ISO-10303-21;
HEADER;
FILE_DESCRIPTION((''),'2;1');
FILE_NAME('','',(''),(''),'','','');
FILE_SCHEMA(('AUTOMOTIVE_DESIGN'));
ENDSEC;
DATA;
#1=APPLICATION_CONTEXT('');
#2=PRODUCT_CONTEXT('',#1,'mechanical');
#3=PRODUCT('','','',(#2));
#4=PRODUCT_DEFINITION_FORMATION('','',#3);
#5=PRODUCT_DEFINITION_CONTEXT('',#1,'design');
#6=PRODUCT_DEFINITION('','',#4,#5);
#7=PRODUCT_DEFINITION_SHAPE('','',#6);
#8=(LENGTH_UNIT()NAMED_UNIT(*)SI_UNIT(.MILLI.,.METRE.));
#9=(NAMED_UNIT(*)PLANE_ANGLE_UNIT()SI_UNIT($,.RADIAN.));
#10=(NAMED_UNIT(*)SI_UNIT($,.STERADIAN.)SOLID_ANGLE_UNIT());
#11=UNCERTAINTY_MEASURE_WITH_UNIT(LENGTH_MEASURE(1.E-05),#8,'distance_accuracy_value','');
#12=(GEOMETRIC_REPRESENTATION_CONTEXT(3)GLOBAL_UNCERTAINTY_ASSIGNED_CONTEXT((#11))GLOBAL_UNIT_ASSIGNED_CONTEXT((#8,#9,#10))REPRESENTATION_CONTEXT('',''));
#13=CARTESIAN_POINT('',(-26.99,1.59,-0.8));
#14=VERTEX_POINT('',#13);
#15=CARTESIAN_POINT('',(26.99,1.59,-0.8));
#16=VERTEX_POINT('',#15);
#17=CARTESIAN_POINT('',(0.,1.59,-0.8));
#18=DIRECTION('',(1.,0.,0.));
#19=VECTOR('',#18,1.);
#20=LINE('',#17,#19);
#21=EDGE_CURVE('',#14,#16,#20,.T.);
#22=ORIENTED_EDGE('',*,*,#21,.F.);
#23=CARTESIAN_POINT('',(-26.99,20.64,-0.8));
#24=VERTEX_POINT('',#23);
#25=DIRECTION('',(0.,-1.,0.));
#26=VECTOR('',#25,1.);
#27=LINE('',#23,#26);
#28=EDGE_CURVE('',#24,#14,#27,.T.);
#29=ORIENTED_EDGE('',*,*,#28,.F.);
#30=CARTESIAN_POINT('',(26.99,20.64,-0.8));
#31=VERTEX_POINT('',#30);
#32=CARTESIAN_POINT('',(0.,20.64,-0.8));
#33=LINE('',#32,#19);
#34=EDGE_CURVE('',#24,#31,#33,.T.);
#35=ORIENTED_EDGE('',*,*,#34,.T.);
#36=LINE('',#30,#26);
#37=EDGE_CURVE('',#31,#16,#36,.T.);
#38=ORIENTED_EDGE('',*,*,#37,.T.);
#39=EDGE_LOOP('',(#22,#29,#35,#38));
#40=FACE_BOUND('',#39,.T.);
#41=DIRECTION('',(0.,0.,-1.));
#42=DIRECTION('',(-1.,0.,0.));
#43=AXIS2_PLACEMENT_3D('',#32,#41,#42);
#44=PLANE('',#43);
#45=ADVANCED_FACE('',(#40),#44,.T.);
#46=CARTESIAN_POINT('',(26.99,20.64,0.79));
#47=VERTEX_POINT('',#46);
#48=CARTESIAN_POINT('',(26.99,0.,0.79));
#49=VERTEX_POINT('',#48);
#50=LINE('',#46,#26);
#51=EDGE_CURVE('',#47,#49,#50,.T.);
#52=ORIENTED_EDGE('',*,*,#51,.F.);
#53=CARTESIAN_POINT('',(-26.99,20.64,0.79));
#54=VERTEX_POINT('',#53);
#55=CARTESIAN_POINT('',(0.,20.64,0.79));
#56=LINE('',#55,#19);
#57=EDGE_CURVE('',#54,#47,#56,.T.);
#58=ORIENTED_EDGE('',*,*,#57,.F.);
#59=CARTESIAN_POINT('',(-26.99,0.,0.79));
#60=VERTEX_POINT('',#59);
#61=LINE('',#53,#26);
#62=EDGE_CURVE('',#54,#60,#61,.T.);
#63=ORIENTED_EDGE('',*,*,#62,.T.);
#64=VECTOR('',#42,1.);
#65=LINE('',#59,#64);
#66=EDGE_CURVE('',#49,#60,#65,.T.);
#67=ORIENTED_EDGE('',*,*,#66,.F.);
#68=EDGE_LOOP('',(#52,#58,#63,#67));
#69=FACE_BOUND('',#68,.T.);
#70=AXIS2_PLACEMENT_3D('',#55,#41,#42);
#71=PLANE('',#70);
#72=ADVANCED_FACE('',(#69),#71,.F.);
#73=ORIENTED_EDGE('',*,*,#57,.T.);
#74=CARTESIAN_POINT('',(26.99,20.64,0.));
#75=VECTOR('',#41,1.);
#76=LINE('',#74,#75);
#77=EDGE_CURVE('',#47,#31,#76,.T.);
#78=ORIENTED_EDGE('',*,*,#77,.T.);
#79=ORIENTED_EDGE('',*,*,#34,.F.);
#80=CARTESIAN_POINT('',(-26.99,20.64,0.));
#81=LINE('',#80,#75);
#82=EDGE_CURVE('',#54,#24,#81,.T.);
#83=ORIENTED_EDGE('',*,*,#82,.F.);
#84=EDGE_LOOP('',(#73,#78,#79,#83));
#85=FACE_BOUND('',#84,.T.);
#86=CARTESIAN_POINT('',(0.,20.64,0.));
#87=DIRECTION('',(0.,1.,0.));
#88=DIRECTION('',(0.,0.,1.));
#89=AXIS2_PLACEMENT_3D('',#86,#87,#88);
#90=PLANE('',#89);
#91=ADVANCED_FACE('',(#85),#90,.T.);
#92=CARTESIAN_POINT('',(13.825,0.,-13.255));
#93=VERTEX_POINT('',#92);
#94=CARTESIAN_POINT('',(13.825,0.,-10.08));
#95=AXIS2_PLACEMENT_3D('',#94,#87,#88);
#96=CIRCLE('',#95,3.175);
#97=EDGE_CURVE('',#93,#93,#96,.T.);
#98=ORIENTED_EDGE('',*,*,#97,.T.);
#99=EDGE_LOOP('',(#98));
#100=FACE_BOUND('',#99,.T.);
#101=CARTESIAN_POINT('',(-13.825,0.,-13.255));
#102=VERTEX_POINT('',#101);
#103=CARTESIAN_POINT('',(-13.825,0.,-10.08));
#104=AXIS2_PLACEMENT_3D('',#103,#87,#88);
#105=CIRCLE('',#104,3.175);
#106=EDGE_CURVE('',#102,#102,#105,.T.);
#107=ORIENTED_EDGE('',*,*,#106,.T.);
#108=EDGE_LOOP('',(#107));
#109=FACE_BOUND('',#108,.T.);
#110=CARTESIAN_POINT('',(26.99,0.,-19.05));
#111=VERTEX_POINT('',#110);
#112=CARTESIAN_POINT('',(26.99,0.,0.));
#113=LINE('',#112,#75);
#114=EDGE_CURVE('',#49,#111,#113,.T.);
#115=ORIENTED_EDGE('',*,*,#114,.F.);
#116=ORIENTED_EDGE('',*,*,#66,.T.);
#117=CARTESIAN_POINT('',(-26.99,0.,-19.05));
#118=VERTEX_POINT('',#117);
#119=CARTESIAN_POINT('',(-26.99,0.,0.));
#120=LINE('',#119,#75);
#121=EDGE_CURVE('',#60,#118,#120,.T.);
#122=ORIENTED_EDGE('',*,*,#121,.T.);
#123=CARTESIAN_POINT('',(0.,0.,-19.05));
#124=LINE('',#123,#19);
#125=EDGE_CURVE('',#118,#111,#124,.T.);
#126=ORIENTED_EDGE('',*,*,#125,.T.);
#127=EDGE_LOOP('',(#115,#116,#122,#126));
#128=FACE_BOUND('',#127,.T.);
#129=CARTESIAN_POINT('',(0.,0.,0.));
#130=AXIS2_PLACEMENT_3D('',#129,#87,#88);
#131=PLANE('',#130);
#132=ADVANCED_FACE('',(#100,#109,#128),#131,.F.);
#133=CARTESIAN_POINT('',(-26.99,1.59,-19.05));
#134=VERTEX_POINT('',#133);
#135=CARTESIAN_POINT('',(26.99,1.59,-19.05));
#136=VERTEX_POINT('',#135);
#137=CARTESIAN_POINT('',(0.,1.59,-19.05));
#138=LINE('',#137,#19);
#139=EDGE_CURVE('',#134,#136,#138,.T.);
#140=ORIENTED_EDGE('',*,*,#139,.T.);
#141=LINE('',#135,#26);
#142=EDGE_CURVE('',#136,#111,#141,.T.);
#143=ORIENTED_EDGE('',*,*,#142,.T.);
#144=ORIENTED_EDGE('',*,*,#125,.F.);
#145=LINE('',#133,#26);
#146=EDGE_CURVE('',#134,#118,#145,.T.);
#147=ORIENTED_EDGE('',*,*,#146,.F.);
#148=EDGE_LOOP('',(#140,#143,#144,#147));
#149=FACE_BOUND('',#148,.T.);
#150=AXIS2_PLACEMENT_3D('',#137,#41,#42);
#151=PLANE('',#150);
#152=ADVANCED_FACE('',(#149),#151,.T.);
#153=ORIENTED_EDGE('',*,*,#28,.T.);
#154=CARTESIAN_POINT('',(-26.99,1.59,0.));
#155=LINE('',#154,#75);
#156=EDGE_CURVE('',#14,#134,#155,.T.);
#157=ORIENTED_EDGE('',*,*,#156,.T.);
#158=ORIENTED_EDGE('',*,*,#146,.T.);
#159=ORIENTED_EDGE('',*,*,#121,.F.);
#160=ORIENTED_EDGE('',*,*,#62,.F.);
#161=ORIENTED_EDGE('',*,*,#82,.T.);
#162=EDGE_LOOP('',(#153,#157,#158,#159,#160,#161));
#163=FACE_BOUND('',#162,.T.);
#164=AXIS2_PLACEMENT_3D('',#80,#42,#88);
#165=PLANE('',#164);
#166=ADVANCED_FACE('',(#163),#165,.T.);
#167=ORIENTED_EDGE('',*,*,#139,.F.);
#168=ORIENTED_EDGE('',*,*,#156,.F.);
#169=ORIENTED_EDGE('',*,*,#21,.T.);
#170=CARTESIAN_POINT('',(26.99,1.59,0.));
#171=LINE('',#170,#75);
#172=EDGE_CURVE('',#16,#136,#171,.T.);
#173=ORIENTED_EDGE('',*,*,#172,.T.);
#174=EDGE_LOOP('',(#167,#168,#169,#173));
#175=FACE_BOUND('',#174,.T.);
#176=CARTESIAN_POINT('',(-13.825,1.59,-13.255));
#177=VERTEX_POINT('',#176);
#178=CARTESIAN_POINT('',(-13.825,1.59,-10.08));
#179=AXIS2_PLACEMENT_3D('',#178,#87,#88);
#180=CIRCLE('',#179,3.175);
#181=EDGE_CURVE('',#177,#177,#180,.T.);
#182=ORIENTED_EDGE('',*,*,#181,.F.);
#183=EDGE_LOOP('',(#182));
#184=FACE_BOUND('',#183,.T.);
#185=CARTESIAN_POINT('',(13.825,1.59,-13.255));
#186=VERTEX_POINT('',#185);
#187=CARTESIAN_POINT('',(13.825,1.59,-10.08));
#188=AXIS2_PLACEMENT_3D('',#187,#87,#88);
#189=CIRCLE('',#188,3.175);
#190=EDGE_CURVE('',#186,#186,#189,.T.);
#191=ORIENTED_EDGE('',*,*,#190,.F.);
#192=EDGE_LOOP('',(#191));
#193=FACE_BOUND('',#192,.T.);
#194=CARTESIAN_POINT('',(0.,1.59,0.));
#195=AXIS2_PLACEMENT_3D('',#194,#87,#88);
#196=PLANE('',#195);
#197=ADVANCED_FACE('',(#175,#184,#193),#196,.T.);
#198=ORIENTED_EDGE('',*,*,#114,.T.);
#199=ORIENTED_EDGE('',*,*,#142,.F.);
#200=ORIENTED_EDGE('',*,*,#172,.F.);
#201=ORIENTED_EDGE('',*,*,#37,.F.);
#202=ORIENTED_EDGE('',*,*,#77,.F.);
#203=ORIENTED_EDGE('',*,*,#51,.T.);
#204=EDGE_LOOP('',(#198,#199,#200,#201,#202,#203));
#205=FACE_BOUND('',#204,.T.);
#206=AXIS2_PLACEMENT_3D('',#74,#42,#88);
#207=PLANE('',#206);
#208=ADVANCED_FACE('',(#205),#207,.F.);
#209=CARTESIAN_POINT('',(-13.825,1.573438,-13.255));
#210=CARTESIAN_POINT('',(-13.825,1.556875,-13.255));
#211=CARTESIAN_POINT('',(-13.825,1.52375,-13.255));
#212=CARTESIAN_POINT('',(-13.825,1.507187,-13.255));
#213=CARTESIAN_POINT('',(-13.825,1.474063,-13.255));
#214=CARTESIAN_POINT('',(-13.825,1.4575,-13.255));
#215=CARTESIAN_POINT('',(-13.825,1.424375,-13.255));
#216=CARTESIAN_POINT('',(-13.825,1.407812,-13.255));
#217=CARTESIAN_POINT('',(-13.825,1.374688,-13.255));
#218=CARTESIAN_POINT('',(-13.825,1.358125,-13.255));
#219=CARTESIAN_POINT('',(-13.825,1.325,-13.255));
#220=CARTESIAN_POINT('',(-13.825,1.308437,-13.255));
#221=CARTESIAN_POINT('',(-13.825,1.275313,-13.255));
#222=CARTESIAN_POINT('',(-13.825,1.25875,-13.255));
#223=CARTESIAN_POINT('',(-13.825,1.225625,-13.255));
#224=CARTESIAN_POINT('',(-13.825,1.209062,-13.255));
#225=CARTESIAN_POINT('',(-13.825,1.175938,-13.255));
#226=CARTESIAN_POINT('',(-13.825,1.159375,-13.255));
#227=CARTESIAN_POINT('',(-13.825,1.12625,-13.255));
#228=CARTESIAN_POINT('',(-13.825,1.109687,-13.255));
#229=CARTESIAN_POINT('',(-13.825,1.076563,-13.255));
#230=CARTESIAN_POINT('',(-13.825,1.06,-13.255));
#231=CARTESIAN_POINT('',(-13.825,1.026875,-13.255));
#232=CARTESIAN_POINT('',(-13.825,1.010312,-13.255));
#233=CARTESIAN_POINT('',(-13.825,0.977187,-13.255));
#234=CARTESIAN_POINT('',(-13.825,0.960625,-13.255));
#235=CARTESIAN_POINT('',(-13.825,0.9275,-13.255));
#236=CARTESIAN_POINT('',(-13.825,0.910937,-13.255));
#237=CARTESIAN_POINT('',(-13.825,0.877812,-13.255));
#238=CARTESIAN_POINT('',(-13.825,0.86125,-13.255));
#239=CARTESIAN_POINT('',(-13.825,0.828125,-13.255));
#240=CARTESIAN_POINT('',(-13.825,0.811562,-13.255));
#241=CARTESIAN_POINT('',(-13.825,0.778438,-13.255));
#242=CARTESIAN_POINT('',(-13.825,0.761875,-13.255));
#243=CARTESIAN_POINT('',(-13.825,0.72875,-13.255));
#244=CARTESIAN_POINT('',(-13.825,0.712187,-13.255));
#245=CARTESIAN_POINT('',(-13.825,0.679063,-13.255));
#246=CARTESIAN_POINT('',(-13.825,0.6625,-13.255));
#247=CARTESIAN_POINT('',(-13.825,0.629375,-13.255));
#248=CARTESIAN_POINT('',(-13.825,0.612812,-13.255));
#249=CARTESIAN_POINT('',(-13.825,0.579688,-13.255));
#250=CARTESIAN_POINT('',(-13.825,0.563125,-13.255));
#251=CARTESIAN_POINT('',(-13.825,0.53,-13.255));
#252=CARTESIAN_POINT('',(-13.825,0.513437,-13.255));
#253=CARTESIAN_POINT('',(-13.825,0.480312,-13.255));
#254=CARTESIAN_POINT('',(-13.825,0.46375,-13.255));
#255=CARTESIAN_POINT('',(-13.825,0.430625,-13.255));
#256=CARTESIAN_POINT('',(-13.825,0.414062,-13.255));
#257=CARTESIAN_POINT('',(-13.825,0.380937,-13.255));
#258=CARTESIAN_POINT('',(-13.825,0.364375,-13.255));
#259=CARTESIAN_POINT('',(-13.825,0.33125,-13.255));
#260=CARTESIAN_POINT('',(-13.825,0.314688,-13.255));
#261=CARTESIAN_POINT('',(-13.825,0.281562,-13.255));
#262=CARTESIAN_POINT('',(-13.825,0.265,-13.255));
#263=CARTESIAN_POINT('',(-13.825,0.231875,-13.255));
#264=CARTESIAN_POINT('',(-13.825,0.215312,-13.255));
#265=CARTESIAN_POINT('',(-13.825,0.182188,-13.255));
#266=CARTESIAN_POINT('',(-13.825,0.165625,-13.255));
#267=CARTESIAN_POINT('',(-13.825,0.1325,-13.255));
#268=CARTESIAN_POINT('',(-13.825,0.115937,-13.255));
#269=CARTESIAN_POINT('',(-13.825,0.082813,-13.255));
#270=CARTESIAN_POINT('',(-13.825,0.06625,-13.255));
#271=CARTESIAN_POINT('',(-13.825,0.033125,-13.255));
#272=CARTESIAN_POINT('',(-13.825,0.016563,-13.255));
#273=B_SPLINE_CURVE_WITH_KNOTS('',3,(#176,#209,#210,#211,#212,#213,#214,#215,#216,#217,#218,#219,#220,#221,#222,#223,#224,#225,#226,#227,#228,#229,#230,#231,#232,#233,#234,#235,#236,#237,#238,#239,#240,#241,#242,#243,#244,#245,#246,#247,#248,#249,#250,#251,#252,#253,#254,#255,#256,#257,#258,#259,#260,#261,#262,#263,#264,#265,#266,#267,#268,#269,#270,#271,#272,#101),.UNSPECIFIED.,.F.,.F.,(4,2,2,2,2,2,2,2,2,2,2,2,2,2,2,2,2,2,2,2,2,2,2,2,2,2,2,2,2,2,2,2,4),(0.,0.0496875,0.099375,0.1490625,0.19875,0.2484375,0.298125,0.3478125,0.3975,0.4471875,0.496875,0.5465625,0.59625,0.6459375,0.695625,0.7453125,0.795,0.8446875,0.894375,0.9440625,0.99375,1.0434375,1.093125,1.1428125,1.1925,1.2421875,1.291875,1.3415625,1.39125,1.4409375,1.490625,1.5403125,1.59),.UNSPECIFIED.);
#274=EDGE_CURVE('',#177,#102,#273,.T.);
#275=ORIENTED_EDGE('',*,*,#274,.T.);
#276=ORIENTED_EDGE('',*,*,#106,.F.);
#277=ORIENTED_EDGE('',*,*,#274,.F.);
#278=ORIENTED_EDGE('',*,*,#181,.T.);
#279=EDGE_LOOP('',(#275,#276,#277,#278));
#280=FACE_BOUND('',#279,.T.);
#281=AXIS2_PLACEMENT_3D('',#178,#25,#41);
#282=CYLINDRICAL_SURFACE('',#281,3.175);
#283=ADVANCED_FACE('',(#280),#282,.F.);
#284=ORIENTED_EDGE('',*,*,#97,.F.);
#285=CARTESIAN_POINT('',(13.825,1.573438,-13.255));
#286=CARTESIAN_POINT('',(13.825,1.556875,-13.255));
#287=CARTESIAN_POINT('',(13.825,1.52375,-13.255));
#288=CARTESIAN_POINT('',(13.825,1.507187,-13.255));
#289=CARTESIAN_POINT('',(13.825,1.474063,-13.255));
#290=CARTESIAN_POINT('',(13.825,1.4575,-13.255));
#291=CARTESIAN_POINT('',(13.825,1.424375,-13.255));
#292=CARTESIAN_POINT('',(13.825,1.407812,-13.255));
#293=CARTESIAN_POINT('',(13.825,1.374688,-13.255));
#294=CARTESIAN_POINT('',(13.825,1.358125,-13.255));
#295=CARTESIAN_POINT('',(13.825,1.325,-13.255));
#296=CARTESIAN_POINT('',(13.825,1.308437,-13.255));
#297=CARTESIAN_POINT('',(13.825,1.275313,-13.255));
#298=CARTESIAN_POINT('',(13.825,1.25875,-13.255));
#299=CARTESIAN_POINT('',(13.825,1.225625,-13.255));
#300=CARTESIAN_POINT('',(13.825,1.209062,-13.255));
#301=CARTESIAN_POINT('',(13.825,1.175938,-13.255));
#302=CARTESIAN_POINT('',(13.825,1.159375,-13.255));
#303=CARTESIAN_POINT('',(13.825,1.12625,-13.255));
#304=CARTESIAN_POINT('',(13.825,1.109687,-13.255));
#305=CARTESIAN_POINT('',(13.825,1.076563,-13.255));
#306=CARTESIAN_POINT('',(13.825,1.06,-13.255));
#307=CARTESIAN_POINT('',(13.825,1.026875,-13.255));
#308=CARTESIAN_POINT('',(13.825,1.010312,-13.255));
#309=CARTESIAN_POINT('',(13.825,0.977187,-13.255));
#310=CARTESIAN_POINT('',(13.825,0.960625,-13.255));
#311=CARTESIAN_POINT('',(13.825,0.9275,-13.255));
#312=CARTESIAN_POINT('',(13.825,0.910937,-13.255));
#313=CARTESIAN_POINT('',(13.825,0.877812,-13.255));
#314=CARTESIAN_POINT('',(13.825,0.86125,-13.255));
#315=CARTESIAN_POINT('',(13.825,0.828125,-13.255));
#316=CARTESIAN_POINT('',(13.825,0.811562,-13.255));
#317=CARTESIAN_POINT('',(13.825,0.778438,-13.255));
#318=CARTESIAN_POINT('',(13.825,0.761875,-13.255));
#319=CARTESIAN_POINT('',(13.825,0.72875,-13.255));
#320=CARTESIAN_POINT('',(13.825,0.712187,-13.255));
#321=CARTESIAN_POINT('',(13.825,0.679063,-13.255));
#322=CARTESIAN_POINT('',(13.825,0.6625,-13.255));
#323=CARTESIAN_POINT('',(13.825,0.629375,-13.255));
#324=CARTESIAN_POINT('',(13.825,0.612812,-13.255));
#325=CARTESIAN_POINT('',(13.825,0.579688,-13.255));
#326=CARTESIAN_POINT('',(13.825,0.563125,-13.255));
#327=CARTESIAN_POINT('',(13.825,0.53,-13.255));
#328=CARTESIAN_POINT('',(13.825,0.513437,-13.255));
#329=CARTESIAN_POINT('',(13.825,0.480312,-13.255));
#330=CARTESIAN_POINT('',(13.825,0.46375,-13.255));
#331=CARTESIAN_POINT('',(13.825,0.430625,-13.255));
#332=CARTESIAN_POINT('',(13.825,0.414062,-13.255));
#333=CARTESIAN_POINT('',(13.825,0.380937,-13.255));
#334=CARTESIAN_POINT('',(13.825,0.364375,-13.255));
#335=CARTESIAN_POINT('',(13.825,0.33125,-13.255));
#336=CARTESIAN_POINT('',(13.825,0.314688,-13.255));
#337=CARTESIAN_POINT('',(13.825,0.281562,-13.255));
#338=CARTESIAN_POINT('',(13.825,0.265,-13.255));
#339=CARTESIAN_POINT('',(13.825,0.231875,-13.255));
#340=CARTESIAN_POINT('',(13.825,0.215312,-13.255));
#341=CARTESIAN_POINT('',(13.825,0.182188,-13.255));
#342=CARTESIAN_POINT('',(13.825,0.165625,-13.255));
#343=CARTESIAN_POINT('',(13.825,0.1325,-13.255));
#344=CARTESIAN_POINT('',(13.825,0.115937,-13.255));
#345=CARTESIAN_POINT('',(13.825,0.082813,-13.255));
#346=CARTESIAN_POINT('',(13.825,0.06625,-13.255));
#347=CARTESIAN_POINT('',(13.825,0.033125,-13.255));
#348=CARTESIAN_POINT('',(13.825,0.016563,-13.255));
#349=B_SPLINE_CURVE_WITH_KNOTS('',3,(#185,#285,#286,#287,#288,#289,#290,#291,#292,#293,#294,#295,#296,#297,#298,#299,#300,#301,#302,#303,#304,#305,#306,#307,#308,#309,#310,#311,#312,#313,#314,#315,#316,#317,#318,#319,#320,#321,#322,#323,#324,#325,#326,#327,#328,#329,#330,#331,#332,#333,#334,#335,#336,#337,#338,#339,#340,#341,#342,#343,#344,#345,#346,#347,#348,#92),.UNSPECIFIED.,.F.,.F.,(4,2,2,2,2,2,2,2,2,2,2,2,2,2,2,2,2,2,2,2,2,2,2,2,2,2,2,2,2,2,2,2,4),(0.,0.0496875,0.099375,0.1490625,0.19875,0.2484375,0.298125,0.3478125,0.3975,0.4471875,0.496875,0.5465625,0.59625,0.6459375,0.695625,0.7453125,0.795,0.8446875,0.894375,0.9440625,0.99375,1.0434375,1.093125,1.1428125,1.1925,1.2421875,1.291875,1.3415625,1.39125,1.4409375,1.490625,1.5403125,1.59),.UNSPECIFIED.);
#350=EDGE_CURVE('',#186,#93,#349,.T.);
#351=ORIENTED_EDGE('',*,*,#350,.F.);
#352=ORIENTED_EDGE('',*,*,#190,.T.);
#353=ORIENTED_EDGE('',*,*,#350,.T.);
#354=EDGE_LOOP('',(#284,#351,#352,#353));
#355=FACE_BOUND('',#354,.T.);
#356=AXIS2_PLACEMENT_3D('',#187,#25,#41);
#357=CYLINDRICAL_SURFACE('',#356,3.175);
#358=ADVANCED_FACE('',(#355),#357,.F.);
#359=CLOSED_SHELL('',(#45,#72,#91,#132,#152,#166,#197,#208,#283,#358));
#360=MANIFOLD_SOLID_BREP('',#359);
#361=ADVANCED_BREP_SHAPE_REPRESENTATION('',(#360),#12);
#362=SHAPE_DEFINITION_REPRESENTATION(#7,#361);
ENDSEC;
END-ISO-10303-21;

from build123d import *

# Parameters (mm, degrees)
SKETCH1_W               = 53.98
SKETCH1_H               = 1.59
BOSS_EXTRUDE1_DEPTH     = 20.64
SKETCH1_3_W             = 53.98
SKETCH1_3_H             = 18.26
SKETCH1_3_R             = 3.175
SKETCH1_3_H_2           = 18.25
BOSS_EXTRUDE2_DEPTH     = 1.59
CUT_EXTRUDE1_DEPTH      = 39.134827914
CUT_EXTRUDE1_DEPTH_BACK = 39.134827914
SKETCH3_W               = 53.98
SKETCH3_H               = 18.26


with BuildPart() as part:
    # Sketch1 → Boss-Extrude1 (new body)
    with BuildSketch(Plane(origin=(0, 0, 0), x_dir=(1, 0, 0), z_dir=(0, 1, 0))):
        with Locations((0, 0.005)):
            Rectangle(SKETCH1_W, SKETCH1_H)
    extrude(amount=BOSS_EXTRUDE1_DEPTH)

    # Sketch1<3> → Boss-Extrude2 (add)
    # profile 1 of 2: a face of its own
    with BuildSketch(Plane(origin=(0, 0, 0), x_dir=(1, 0, 0), z_dir=(0, 1, 0))):
        with Locations((0, -9.92)):
            Rectangle(SKETCH1_3_W, SKETCH1_3_H)
        with Locations((-13.825, -10.08)):
            Circle(SKETCH1_3_R, mode=Mode.SUBTRACT)
        with Locations((13.825, -10.08)):
            Circle(SKETCH1_3_R, mode=Mode.SUBTRACT)
    # profile 2 of 2: a face of its own
    with BuildSketch(Plane(origin=(0, 0, 0), x_dir=(1, 0, 0), z_dir=(0, 1, 0))):
        with Locations((0, 9.925)):
            Rectangle(SKETCH1_3_W, SKETCH1_3_H_2)
        with Locations((-13.825, 10.08)):
            Circle(SKETCH1_3_R, mode=Mode.SUBTRACT)
        with Locations((13.825, 10.08)):
            Circle(SKETCH1_3_R, mode=Mode.SUBTRACT)
    extrude(amount=BOSS_EXTRUDE2_DEPTH)

    # Sketch3 → Cut-Extrude1 (cut, two sides: drawn at the far end of the back side and taken through both)
    with BuildSketch(Plane(origin=(0, 1.59, 0), x_dir=(1, 0, 0), z_dir=(0, 1, 0)).offset(-CUT_EXTRUDE1_DEPTH_BACK)):
        with Locations((0, -9.92)):
            Rectangle(SKETCH3_W, SKETCH3_H)
    extrude(amount=CUT_EXTRUDE1_DEPTH + CUT_EXTRUDE1_DEPTH_BACK, mode=Mode.SUBTRACT)


solid = part.part
